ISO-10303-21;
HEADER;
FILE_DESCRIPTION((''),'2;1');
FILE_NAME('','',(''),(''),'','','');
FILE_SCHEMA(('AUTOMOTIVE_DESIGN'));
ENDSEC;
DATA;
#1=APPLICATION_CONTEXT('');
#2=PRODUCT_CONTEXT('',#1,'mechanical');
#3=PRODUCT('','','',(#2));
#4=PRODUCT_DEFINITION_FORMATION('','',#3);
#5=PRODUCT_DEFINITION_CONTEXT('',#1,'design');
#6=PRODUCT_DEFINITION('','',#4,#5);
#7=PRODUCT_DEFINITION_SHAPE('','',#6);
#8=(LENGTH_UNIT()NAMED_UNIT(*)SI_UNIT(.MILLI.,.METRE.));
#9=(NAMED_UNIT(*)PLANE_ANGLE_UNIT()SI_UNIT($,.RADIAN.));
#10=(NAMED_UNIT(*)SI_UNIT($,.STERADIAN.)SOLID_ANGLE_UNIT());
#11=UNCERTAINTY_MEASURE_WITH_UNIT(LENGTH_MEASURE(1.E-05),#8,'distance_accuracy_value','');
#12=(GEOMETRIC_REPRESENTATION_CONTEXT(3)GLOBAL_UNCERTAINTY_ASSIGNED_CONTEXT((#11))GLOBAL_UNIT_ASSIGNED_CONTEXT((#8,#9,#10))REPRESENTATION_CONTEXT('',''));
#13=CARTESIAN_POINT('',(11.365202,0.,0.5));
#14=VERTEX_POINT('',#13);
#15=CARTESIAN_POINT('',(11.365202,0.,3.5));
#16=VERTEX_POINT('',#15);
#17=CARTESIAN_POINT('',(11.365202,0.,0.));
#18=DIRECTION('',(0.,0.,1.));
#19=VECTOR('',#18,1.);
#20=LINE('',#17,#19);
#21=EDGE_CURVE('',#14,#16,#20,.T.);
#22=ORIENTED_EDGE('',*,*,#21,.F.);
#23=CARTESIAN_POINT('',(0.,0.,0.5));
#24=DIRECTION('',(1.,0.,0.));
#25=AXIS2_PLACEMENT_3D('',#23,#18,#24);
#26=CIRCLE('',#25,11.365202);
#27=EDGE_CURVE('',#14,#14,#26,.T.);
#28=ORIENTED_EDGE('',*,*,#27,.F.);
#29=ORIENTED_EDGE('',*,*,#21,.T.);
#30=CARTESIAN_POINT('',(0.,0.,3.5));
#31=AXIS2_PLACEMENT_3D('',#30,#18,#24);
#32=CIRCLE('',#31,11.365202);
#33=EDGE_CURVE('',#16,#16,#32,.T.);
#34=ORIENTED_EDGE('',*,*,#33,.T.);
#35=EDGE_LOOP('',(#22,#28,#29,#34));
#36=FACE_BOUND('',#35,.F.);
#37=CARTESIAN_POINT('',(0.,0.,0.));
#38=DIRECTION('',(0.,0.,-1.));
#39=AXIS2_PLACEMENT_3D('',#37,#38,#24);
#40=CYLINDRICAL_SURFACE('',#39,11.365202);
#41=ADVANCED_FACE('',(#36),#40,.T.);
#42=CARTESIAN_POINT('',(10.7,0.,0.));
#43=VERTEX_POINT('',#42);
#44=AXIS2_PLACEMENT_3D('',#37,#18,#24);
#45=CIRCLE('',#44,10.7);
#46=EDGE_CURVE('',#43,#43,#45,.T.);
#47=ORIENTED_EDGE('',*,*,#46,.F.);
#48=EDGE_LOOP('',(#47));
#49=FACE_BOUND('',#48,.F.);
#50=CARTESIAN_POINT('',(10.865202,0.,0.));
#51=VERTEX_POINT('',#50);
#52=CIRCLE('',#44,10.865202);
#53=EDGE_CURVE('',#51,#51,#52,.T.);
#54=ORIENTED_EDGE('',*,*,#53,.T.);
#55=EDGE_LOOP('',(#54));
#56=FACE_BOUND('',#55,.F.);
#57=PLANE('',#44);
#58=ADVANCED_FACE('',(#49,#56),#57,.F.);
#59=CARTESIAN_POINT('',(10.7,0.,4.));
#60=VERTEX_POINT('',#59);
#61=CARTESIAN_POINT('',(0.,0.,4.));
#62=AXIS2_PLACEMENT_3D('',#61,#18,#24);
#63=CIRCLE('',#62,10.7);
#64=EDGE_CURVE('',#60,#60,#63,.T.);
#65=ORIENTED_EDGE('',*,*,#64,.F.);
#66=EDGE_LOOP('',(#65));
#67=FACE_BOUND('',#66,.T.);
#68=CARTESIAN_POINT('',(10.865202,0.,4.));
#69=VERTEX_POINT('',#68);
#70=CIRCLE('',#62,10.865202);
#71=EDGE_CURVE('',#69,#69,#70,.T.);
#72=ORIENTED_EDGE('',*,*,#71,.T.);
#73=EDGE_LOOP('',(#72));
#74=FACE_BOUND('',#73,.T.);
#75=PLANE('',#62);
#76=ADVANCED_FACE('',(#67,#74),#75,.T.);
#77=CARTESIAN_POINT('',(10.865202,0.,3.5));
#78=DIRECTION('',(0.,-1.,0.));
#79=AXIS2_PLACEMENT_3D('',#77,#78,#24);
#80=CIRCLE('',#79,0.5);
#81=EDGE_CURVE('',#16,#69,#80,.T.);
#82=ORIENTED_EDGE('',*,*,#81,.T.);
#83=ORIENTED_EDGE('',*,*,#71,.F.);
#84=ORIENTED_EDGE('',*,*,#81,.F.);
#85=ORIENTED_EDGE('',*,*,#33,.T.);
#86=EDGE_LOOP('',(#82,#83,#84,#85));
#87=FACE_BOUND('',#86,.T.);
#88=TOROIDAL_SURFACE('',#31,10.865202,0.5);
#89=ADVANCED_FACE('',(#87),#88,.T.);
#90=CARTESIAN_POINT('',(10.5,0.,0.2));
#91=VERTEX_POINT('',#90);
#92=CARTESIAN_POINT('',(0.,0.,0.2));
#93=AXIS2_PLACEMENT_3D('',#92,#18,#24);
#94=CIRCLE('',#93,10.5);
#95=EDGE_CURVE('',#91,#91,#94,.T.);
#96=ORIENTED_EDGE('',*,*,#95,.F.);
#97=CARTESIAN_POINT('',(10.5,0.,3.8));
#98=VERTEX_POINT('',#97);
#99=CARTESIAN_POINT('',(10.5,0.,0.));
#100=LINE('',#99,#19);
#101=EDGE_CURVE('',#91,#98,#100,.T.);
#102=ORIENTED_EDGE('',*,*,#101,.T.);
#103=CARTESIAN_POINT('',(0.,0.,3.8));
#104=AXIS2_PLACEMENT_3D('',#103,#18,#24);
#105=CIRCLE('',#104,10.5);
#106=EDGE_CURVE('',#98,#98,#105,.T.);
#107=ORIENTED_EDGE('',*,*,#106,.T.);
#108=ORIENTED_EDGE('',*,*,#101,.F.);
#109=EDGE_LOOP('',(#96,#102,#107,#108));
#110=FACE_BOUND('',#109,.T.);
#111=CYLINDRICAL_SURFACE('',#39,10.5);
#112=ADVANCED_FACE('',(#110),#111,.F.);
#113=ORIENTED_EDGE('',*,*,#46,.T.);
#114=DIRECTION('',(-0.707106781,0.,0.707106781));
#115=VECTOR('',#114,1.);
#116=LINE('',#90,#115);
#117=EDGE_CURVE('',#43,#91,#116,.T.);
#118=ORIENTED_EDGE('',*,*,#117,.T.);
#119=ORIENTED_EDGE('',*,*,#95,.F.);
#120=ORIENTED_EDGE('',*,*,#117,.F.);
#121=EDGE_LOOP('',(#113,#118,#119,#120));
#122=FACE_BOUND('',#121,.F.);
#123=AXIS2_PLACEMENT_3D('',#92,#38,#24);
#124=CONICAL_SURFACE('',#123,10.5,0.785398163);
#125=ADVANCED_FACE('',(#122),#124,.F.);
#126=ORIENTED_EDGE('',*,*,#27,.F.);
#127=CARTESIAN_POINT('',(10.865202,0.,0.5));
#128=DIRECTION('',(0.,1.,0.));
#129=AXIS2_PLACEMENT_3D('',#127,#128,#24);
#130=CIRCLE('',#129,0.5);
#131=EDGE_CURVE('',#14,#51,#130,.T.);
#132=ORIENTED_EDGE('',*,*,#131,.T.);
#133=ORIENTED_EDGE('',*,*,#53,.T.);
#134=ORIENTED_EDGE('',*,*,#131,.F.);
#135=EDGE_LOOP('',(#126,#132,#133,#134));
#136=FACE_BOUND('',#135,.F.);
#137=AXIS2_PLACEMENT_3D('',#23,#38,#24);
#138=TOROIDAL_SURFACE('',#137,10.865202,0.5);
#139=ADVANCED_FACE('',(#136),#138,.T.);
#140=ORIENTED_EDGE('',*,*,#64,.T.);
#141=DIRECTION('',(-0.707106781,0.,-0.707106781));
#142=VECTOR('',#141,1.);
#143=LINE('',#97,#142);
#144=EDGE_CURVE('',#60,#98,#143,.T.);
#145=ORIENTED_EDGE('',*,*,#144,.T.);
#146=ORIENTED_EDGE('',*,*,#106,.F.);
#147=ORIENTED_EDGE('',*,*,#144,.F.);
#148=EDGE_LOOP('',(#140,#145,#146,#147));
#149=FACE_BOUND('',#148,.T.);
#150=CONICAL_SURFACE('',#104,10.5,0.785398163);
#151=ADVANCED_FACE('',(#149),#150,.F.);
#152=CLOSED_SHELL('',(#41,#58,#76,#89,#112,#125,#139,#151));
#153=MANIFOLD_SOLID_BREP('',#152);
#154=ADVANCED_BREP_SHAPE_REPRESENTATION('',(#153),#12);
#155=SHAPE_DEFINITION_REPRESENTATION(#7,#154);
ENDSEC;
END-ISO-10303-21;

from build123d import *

# Parameters (mm, degrees)
F0_R     = 11.365202
F0_R_2   = 10.5
F1_DEPTH = 4
F2_R     = 0.5
F3_SIZE  = 0.2


with BuildPart() as f1:
    # F0 (on Top) → F1 (new body)
    with BuildSketch(Plane.XY):
        Circle(F0_R)
        Circle(F0_R_2, mode=Mode.SUBTRACT)
    extrude(amount=F1_DEPTH)

    # F2
    f2_edges = [f1.edges().sort_by_distance(p)[0] for p in [
        (-11.365202, 0, 0),
        (-11.365202, 0, 4),
    ]]
    fillet(f2_edges, radius=F2_R)

    # F3
    f3_edges = [f1.edges().sort_by_distance(p)[0] for p in [
        (-10.5, 0, 0),
        (-10.5, 0, 4),
    ]]
    chamfer(f3_edges, length=F3_SIZE)


solid = f1.part
